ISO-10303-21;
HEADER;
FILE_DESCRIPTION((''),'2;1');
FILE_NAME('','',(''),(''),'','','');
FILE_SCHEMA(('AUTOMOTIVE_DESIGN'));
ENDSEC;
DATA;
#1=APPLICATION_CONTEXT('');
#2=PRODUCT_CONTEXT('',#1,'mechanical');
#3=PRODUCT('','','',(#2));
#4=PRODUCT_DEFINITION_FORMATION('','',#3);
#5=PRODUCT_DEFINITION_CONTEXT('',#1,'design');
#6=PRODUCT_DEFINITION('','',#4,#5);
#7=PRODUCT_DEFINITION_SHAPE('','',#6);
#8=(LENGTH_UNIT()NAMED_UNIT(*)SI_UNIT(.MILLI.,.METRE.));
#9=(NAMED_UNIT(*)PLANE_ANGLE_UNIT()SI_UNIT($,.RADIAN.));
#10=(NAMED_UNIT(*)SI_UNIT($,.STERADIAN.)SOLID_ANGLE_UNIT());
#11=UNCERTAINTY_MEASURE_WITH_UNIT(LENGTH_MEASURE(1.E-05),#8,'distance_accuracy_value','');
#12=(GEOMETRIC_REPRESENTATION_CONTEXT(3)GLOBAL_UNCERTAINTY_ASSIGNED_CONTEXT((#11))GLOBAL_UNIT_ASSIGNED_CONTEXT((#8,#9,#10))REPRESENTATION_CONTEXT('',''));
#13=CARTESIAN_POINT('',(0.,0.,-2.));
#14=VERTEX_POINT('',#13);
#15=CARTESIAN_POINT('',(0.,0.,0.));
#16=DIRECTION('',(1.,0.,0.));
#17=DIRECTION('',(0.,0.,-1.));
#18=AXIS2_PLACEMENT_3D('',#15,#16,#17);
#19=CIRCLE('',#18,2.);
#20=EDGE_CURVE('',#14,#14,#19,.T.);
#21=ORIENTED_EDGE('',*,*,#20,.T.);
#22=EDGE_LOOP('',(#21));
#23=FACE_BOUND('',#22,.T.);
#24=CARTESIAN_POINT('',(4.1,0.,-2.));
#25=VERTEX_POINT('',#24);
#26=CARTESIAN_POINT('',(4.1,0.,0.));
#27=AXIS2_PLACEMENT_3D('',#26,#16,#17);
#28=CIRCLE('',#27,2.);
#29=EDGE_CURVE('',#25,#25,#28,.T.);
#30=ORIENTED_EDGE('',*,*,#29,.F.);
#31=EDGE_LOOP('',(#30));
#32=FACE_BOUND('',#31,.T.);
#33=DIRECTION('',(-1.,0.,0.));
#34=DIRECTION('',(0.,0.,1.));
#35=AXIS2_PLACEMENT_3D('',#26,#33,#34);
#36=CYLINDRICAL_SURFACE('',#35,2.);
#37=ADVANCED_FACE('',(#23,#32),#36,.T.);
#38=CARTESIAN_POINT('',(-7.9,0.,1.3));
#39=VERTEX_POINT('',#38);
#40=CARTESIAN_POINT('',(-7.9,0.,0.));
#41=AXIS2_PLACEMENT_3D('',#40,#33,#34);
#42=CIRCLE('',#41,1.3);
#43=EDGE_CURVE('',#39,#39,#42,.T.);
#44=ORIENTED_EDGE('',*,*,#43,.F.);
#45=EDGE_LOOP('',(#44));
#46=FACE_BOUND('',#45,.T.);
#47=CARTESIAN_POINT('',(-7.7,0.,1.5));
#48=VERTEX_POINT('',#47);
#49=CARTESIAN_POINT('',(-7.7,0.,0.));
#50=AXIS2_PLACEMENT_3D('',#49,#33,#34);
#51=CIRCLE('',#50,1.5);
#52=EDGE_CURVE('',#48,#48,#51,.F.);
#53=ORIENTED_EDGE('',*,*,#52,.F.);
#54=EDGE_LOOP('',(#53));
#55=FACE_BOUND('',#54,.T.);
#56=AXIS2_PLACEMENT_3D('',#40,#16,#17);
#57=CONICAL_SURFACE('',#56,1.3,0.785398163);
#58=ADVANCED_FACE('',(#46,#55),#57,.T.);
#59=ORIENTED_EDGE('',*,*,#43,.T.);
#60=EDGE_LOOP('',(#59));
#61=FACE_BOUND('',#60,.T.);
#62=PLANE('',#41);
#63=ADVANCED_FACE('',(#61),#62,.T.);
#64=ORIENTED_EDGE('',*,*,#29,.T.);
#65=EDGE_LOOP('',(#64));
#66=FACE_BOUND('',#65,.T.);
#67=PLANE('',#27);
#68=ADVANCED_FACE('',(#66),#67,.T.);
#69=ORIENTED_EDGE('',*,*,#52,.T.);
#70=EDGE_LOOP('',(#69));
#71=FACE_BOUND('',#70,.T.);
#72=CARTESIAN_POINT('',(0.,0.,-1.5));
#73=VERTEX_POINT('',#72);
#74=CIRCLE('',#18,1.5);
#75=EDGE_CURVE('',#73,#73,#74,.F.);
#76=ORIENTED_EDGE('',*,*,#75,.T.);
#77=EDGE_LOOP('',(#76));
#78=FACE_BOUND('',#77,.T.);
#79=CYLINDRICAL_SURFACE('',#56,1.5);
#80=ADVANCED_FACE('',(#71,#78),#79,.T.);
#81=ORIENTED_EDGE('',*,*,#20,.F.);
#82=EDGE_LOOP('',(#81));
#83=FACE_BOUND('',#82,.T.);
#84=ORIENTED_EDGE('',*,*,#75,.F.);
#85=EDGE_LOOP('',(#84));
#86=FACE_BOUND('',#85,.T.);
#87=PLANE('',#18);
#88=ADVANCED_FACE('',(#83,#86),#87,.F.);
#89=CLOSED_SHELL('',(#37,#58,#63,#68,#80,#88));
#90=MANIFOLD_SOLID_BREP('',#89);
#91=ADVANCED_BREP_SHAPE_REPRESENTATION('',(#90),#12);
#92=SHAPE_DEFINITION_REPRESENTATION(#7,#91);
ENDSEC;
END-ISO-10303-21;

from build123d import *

# Parameters (mm, degrees)
SKETCH1_R           = 2
BOSS_EXTRUDE1_DEPTH = 4.1
SKETCH2_R           = 1.5
BOSS_EXTRUDE2_DEPTH = 7.9
CHAMFER1_SIZE       = 0.2


with BuildPart() as part:
    # Sketch1 → Boss-Extrude1 (new body)
    with BuildSketch(Plane(origin=(0, 0, 0), x_dir=(0, 0, -1), z_dir=(1, 0, 0))):
        Circle(SKETCH1_R)
    extrude(amount=BOSS_EXTRUDE1_DEPTH)

    # Sketch2 → Boss-Extrude2 (add)
    with BuildSketch(Plane.ZY):
        with Locations(Location((0, 0, 0), (0, 0, 180))):
            Circle(SKETCH2_R)
    extrude(amount=BOSS_EXTRUDE2_DEPTH)

    # Chamfer1
    chamfer1_edges = [part.edges().sort_by_distance(p)[0] for p in [
        (-7.9, 0, 1.5),
    ]]
    chamfer(chamfer1_edges, length=CHAMFER1_SIZE)


solid = part.part
